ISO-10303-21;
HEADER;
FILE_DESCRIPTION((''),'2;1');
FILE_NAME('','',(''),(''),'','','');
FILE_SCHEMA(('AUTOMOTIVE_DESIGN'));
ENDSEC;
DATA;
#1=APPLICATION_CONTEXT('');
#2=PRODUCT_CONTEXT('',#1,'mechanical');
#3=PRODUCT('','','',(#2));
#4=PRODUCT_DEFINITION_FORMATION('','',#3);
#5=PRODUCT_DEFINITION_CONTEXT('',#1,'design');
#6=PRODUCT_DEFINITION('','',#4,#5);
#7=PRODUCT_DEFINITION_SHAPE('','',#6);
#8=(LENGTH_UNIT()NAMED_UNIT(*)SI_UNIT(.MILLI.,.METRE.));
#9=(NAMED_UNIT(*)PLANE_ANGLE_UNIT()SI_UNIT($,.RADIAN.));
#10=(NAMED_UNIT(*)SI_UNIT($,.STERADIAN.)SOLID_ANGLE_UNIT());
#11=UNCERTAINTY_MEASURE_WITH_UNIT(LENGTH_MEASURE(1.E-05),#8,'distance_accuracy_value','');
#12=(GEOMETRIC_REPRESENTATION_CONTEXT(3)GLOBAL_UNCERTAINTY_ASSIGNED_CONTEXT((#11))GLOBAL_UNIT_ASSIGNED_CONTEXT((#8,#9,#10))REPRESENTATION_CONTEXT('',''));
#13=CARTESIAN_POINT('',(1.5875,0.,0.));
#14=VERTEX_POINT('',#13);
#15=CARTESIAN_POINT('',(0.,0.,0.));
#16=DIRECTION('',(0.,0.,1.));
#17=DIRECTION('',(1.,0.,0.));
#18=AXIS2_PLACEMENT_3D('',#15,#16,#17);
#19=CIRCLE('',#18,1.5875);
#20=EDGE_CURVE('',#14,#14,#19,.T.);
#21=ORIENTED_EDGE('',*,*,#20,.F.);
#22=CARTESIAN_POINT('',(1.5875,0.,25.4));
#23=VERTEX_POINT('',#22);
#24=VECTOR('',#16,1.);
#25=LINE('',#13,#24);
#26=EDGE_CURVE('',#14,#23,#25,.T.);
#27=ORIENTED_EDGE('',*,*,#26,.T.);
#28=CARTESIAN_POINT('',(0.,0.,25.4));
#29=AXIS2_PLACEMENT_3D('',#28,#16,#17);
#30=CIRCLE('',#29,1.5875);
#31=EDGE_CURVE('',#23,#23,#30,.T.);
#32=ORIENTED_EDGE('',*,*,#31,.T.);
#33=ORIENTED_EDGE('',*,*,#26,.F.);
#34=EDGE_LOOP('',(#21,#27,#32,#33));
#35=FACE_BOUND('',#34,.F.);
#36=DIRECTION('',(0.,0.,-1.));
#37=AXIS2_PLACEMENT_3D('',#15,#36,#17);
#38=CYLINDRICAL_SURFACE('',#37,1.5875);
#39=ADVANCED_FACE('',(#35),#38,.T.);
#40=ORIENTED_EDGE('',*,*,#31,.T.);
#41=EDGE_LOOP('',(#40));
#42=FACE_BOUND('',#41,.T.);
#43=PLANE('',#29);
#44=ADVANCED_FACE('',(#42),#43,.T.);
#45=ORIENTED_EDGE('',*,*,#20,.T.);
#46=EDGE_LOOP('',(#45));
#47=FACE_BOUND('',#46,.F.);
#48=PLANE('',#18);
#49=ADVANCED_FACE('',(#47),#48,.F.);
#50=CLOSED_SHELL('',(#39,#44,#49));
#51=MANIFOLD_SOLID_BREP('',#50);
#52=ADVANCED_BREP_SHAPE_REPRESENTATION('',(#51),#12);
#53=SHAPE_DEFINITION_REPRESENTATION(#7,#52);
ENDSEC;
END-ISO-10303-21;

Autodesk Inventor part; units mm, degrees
ref_plane "YZ Plane" through (0, 0, 0) normal (1, 0, 0) x (0, 1, 0)
ref_plane "XZ Plane" through (0, 0, 0) normal (0, 1, 0) x (-1, 0, 0)
ref_plane "XY Plane" through (0, 0, 0) normal (0, 0, 1) x (1, 0, 0)
sketch "Sketch1" plane through (0, 0, 0) normal (0, 0, 1) x (1, 0, 0)
  circle A0 centre (0, 0) radius 1.5875
  dimension "d0" = 3.175
extrude "Extrusion1" add sketch "Sketch1" along normal blind 25.4
properties part number "MiniSpoolServoShaft" material "Stainless Steel"
